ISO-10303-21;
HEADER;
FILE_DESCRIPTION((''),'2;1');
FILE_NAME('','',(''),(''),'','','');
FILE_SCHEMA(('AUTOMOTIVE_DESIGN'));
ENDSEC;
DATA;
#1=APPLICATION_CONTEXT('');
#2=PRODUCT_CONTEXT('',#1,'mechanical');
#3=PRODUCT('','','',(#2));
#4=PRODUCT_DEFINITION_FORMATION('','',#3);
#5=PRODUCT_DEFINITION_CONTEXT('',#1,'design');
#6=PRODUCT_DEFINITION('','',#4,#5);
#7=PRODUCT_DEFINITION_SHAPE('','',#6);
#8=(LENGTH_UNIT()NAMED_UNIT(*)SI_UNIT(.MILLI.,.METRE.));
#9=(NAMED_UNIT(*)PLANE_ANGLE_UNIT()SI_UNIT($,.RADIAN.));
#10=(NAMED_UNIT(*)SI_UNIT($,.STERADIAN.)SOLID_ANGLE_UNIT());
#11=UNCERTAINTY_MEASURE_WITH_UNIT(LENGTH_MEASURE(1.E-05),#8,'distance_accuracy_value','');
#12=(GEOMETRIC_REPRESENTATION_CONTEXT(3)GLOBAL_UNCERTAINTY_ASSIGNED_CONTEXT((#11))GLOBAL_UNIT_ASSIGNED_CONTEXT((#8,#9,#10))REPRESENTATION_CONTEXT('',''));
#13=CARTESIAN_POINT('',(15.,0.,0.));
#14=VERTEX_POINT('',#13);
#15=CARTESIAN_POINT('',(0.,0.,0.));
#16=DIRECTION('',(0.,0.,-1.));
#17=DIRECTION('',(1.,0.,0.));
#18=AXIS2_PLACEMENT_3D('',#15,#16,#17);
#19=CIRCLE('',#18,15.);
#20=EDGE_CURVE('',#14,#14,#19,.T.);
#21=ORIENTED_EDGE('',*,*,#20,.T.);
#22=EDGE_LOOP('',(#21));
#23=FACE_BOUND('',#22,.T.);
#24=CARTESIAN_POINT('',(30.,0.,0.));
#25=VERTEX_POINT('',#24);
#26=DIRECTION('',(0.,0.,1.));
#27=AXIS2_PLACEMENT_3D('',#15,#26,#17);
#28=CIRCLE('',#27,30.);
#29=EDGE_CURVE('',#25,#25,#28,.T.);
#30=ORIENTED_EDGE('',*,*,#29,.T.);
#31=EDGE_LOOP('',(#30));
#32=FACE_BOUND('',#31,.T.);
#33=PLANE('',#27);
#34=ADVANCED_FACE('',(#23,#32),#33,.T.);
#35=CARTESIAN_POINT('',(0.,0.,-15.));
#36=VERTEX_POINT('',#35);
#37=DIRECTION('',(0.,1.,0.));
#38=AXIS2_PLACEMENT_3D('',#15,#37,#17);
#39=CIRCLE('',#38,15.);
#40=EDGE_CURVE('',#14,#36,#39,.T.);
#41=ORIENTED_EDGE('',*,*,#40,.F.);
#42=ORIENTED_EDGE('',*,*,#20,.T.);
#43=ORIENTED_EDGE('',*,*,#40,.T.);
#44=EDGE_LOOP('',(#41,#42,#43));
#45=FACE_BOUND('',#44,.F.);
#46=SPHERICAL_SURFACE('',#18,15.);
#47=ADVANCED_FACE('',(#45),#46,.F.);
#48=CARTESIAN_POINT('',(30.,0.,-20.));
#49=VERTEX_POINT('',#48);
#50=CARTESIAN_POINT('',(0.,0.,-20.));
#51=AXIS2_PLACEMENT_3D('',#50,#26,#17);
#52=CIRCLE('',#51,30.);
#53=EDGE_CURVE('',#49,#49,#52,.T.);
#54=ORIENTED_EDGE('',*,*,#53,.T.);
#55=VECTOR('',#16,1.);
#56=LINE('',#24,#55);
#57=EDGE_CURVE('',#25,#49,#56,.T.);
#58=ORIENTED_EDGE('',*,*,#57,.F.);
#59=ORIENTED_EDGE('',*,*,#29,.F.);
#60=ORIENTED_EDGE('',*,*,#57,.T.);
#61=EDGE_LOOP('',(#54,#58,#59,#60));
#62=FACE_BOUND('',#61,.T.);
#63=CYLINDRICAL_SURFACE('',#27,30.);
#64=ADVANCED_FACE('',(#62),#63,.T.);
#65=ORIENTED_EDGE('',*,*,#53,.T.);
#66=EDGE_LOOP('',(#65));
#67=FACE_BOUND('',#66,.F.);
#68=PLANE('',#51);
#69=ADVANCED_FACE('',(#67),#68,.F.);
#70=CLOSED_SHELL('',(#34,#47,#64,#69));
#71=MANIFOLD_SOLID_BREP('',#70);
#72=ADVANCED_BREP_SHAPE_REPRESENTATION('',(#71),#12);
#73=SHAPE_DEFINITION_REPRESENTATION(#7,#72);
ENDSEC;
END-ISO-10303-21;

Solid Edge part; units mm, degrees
sketch "Sketch1" plane through (0, 0, 0) normal (0, 0, 1) x (1, 0, 0)
  circle A0 centre (0, 0) radius 30
  dimension "D1" = 60
extrude "Protrusion1" add sketch "Sketch1" against normal blind 20
sketch "Sketch2" plane through (0, 0, 0) normal (0, -1, 0) x (1, 0, 0)
  arc A0 (0, 15) -> (0, -15) centre (0, 0) cw
  dimension "D1" = 30
revolve "RevolvedCutout1" cut sketch "Sketch2" angle 360 about axis through (0, 0, 15) along (0, 0, -1)
